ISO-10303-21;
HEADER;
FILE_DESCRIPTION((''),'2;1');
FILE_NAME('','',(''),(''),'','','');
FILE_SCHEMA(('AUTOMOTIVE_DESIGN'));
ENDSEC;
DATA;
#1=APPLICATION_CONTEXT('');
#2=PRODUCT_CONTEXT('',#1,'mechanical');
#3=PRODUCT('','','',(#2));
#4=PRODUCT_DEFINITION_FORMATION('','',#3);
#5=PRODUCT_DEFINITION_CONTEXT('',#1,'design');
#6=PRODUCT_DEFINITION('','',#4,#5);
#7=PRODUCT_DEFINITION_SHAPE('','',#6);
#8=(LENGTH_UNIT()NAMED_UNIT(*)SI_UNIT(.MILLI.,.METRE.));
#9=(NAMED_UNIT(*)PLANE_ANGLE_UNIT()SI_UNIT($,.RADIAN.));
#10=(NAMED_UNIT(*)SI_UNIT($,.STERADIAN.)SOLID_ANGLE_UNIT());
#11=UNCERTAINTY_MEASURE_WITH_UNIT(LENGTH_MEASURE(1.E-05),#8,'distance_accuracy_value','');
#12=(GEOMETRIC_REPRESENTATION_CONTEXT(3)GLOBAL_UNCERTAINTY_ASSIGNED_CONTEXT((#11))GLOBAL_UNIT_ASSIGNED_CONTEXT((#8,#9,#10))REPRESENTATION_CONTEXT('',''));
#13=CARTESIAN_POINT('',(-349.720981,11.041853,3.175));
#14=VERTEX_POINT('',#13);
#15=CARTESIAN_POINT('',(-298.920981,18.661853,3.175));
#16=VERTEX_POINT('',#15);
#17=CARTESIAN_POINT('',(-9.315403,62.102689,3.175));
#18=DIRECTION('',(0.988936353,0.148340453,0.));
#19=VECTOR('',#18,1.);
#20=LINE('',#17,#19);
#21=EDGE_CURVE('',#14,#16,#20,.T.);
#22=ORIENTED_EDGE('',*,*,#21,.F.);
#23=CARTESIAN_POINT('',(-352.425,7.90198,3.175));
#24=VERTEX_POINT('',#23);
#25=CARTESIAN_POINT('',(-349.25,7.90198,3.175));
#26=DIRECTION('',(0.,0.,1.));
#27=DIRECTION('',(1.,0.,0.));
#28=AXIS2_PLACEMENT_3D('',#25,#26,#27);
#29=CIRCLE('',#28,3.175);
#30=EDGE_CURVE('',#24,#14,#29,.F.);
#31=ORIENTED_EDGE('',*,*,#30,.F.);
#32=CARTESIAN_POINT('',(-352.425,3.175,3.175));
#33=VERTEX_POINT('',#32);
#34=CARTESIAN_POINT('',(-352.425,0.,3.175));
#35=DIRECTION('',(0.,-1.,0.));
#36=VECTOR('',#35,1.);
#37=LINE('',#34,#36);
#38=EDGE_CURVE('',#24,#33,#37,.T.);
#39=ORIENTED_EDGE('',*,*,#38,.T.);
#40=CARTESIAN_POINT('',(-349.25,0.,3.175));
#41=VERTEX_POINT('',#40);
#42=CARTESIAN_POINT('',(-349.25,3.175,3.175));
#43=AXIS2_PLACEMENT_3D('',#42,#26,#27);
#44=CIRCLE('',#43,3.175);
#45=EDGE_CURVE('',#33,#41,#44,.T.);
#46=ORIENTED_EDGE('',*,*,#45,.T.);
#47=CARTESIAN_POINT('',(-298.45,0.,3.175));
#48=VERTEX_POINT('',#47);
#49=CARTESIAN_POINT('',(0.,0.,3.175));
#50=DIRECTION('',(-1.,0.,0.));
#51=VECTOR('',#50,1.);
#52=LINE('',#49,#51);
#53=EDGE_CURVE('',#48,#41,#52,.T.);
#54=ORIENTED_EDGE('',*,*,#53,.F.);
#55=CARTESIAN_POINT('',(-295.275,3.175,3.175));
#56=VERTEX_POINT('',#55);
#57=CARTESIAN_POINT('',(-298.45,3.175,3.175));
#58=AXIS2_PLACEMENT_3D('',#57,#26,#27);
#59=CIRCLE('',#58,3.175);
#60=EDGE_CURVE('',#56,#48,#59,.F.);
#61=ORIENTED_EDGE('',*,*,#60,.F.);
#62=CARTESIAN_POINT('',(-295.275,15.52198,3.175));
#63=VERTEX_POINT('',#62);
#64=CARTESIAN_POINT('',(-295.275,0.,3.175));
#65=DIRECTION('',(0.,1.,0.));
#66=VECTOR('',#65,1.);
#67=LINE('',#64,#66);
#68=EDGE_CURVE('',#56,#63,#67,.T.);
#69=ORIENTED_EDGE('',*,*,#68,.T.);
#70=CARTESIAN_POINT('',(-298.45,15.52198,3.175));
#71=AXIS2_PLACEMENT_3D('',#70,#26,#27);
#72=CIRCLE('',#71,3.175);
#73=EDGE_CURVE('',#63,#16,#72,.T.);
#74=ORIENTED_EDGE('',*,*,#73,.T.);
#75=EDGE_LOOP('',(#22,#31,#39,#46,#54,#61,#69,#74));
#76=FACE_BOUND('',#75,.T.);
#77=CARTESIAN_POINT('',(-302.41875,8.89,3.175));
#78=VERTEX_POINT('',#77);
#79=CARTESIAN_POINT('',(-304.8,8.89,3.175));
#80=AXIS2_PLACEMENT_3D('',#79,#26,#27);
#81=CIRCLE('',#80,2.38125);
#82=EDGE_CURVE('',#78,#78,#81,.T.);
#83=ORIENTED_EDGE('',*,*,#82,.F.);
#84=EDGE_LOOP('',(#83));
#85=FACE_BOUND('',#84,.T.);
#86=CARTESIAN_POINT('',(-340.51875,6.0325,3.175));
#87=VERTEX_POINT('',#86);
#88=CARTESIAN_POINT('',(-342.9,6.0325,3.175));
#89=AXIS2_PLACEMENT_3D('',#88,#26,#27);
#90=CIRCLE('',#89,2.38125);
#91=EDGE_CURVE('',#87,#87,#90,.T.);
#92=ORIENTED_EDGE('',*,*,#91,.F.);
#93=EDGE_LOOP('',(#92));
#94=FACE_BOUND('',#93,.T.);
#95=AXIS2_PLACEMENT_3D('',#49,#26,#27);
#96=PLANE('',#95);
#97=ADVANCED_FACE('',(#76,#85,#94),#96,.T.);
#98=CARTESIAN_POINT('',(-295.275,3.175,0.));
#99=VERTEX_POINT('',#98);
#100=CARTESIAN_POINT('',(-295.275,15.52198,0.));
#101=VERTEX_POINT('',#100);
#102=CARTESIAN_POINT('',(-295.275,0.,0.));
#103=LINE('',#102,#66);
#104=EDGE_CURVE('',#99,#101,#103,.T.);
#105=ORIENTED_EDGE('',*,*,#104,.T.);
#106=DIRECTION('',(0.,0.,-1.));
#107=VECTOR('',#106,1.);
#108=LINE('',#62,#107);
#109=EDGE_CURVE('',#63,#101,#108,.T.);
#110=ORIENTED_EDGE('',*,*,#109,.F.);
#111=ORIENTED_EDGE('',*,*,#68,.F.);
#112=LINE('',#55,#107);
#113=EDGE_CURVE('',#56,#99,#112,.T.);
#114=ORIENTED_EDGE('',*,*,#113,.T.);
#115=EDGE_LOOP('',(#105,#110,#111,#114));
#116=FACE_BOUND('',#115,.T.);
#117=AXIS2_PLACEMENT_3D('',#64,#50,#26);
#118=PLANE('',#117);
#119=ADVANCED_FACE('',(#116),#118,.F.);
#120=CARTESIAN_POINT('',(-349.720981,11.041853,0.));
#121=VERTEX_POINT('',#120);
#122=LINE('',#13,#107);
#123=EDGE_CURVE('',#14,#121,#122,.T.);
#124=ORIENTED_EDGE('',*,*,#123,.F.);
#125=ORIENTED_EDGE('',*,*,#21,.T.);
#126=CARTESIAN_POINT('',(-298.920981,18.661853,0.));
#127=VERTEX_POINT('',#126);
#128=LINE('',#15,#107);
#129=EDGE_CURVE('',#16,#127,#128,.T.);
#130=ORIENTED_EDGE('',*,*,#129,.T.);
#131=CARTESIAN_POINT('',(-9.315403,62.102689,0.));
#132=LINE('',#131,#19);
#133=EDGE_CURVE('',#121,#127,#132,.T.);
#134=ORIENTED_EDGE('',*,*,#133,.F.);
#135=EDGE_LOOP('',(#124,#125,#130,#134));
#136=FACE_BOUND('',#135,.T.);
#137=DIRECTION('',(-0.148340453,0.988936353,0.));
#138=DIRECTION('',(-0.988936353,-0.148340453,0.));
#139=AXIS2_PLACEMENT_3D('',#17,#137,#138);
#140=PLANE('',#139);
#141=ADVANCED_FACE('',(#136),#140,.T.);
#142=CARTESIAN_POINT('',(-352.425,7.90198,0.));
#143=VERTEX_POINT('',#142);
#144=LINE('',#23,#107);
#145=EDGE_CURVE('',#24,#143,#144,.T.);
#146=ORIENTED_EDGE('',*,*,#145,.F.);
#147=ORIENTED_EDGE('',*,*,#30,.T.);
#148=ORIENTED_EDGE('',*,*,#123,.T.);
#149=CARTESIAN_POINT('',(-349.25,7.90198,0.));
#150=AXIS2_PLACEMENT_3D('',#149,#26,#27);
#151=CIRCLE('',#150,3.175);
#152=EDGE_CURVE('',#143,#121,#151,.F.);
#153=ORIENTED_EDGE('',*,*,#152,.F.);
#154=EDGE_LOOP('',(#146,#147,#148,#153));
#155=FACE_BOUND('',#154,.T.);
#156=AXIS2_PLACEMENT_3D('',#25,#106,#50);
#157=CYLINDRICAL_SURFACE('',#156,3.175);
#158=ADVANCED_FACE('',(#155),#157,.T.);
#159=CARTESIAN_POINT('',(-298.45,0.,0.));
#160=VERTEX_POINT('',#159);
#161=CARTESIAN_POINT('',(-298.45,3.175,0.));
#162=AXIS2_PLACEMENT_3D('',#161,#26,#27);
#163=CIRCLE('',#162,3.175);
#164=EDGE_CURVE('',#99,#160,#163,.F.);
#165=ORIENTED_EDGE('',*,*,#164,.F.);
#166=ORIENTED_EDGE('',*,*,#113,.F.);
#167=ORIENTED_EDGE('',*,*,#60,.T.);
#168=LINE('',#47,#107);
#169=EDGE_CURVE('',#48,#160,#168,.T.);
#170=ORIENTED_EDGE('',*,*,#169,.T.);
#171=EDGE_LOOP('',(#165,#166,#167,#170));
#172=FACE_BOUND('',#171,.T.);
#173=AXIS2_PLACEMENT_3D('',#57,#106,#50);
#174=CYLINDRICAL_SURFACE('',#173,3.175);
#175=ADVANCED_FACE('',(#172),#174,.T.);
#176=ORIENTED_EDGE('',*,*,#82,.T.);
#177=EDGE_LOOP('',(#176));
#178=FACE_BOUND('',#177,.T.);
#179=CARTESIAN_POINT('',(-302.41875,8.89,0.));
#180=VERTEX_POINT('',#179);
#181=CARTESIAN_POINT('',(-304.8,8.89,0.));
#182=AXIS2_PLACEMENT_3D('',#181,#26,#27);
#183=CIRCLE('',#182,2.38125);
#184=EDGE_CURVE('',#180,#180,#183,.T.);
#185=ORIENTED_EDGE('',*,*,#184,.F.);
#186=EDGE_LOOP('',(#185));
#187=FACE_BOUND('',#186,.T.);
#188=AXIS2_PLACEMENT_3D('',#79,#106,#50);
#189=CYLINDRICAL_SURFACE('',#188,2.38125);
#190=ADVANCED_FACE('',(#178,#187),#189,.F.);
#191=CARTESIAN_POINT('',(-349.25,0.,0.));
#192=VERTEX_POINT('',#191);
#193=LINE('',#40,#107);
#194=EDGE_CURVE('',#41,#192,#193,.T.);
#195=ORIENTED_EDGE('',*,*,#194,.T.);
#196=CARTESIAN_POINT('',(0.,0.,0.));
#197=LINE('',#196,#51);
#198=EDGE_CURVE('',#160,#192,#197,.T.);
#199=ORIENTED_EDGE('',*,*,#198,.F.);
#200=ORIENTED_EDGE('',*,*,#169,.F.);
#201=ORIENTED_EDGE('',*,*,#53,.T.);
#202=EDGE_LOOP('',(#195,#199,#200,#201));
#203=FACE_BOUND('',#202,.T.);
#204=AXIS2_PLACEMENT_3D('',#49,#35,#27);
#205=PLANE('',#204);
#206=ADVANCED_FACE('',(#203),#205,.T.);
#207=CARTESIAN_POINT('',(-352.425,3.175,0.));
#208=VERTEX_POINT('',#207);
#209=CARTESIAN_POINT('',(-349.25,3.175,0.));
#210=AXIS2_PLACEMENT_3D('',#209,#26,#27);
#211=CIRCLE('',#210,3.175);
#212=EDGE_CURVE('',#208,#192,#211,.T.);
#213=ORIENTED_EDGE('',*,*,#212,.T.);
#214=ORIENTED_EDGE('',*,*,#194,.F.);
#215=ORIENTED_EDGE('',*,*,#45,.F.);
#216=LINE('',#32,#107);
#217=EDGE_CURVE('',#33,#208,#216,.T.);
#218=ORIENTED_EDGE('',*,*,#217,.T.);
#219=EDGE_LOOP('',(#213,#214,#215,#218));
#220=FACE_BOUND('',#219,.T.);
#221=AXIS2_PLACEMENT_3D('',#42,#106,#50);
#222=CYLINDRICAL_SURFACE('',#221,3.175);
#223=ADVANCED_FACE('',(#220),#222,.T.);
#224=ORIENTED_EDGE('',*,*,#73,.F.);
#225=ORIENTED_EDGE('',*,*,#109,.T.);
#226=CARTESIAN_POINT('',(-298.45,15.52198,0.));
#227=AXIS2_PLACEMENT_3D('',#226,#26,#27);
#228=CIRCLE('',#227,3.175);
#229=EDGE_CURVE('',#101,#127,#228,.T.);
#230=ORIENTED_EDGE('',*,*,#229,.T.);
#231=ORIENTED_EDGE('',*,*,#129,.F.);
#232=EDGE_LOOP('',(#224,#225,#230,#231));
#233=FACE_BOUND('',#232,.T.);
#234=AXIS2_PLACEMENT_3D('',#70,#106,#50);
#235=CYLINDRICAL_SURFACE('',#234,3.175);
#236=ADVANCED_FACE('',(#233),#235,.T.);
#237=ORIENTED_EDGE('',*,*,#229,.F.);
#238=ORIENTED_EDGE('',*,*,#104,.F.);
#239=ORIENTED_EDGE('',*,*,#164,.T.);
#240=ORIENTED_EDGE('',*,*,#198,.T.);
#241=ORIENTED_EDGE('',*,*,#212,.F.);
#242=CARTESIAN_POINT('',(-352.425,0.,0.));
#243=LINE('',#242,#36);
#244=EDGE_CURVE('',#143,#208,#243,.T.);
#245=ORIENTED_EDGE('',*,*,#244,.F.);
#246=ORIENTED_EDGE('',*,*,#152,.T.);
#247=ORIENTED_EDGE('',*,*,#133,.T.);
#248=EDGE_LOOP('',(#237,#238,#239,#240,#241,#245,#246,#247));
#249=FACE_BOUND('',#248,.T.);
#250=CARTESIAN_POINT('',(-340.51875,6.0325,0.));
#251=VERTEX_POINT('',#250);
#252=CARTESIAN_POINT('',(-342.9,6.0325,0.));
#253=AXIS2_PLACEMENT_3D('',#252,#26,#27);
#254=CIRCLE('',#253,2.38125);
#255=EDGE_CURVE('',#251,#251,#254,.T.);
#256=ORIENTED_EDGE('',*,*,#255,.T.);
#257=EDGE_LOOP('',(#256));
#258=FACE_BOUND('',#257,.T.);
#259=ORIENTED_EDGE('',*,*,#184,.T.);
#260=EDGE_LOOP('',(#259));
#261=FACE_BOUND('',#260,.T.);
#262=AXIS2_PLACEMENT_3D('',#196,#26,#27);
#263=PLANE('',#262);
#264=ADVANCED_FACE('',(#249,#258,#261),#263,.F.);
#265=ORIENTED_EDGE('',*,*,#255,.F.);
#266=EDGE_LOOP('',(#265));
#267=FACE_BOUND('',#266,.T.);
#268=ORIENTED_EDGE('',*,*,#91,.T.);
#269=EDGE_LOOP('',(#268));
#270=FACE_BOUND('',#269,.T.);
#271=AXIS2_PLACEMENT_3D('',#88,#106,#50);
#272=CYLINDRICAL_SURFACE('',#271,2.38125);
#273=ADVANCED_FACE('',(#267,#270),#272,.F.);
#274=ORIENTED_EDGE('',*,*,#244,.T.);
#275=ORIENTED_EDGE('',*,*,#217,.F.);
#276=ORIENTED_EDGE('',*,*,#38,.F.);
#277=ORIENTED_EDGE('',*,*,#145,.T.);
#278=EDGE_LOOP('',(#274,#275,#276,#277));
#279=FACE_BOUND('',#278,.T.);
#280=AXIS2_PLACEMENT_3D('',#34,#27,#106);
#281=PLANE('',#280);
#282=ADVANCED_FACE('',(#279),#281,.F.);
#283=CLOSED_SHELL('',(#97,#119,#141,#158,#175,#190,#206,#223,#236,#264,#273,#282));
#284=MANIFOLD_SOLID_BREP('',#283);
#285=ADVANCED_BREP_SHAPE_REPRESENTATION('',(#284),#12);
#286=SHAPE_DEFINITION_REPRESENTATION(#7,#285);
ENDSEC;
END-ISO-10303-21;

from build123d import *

# Parameters (mm, degrees)
BOSS_EXTRUDE1_DEPTH = 3.175


with BuildPart() as part:
    # Sketch1 → Boss-Extrude1 (new body)
    with BuildSketch(Plane.XY):
        with BuildLine():
            Line((-342.9, 12.065), (-349.720980938, 11.041852859))
            ThreePointArc((-349.720980938, 11.041852859), (-351.655825168, 9.97384631), (-352.425, 7.901979939))
            Line((-352.425, 7.901979939), (-352.425, 3.175))
            ThreePointArc((-352.425, 3.175), (-351.49506403, 0.92993597), (-349.25, 0))
            Line((-349.25, 0), (-342.9, 0))
            Line((-342.9, 0), (-342.9, 3.65125))
            ThreePointArc((-342.9, 3.65125), (-345.28125, 6.0325), (-342.9, 8.41375))
            Line((-342.9, 8.41375), (-342.9, 12.065))
        make_face()
        with BuildLine():
            Line((-304.8, 17.78), (-342.9, 12.065))
            Line((-342.9, 12.065), (-342.9, 8.41375))
            ThreePointArc((-342.9, 8.41375), (-341.216201977, 7.716298023), (-340.51875, 6.0325))
            ThreePointArc((-340.51875, 6.0325), (-341.216201977, 4.348701977), (-342.9, 3.65125))
            Line((-342.9, 3.65125), (-342.9, 0))
            Line((-342.9, 0), (-304.8, 0))
            Line((-304.8, 0), (-304.8, 6.50875))
            ThreePointArc((-304.8, 6.50875), (-307.18125, 8.89), (-304.8, 11.27125))
            Line((-304.8, 11.27125), (-304.8, 17.78))
        make_face()
        with BuildLine():
            Line((-298.920980938, 18.661852859), (-304.8, 17.78))
            Line((-304.8, 17.78), (-304.8, 11.27125))
            ThreePointArc((-304.8, 11.27125), (-303.116201977, 10.573798023), (-302.41875, 8.89))
            ThreePointArc((-302.41875, 8.89), (-303.116201977, 7.206201977), (-304.8, 6.50875))
            Line((-304.8, 6.50875), (-304.8, 0))
            Line((-304.8, 0), (-298.45, 0))
            ThreePointArc((-298.45, 0), (-296.20493597, 0.92993597), (-295.275, 3.175))
            Line((-295.275, 3.175), (-295.275, 15.521979939))
            ThreePointArc((-295.275, 15.521979939), (-296.378133629, 17.927805107), (-298.920980938, 18.661852859))
        make_face()
    extrude(amount=BOSS_EXTRUDE1_DEPTH)


solid = part.part
